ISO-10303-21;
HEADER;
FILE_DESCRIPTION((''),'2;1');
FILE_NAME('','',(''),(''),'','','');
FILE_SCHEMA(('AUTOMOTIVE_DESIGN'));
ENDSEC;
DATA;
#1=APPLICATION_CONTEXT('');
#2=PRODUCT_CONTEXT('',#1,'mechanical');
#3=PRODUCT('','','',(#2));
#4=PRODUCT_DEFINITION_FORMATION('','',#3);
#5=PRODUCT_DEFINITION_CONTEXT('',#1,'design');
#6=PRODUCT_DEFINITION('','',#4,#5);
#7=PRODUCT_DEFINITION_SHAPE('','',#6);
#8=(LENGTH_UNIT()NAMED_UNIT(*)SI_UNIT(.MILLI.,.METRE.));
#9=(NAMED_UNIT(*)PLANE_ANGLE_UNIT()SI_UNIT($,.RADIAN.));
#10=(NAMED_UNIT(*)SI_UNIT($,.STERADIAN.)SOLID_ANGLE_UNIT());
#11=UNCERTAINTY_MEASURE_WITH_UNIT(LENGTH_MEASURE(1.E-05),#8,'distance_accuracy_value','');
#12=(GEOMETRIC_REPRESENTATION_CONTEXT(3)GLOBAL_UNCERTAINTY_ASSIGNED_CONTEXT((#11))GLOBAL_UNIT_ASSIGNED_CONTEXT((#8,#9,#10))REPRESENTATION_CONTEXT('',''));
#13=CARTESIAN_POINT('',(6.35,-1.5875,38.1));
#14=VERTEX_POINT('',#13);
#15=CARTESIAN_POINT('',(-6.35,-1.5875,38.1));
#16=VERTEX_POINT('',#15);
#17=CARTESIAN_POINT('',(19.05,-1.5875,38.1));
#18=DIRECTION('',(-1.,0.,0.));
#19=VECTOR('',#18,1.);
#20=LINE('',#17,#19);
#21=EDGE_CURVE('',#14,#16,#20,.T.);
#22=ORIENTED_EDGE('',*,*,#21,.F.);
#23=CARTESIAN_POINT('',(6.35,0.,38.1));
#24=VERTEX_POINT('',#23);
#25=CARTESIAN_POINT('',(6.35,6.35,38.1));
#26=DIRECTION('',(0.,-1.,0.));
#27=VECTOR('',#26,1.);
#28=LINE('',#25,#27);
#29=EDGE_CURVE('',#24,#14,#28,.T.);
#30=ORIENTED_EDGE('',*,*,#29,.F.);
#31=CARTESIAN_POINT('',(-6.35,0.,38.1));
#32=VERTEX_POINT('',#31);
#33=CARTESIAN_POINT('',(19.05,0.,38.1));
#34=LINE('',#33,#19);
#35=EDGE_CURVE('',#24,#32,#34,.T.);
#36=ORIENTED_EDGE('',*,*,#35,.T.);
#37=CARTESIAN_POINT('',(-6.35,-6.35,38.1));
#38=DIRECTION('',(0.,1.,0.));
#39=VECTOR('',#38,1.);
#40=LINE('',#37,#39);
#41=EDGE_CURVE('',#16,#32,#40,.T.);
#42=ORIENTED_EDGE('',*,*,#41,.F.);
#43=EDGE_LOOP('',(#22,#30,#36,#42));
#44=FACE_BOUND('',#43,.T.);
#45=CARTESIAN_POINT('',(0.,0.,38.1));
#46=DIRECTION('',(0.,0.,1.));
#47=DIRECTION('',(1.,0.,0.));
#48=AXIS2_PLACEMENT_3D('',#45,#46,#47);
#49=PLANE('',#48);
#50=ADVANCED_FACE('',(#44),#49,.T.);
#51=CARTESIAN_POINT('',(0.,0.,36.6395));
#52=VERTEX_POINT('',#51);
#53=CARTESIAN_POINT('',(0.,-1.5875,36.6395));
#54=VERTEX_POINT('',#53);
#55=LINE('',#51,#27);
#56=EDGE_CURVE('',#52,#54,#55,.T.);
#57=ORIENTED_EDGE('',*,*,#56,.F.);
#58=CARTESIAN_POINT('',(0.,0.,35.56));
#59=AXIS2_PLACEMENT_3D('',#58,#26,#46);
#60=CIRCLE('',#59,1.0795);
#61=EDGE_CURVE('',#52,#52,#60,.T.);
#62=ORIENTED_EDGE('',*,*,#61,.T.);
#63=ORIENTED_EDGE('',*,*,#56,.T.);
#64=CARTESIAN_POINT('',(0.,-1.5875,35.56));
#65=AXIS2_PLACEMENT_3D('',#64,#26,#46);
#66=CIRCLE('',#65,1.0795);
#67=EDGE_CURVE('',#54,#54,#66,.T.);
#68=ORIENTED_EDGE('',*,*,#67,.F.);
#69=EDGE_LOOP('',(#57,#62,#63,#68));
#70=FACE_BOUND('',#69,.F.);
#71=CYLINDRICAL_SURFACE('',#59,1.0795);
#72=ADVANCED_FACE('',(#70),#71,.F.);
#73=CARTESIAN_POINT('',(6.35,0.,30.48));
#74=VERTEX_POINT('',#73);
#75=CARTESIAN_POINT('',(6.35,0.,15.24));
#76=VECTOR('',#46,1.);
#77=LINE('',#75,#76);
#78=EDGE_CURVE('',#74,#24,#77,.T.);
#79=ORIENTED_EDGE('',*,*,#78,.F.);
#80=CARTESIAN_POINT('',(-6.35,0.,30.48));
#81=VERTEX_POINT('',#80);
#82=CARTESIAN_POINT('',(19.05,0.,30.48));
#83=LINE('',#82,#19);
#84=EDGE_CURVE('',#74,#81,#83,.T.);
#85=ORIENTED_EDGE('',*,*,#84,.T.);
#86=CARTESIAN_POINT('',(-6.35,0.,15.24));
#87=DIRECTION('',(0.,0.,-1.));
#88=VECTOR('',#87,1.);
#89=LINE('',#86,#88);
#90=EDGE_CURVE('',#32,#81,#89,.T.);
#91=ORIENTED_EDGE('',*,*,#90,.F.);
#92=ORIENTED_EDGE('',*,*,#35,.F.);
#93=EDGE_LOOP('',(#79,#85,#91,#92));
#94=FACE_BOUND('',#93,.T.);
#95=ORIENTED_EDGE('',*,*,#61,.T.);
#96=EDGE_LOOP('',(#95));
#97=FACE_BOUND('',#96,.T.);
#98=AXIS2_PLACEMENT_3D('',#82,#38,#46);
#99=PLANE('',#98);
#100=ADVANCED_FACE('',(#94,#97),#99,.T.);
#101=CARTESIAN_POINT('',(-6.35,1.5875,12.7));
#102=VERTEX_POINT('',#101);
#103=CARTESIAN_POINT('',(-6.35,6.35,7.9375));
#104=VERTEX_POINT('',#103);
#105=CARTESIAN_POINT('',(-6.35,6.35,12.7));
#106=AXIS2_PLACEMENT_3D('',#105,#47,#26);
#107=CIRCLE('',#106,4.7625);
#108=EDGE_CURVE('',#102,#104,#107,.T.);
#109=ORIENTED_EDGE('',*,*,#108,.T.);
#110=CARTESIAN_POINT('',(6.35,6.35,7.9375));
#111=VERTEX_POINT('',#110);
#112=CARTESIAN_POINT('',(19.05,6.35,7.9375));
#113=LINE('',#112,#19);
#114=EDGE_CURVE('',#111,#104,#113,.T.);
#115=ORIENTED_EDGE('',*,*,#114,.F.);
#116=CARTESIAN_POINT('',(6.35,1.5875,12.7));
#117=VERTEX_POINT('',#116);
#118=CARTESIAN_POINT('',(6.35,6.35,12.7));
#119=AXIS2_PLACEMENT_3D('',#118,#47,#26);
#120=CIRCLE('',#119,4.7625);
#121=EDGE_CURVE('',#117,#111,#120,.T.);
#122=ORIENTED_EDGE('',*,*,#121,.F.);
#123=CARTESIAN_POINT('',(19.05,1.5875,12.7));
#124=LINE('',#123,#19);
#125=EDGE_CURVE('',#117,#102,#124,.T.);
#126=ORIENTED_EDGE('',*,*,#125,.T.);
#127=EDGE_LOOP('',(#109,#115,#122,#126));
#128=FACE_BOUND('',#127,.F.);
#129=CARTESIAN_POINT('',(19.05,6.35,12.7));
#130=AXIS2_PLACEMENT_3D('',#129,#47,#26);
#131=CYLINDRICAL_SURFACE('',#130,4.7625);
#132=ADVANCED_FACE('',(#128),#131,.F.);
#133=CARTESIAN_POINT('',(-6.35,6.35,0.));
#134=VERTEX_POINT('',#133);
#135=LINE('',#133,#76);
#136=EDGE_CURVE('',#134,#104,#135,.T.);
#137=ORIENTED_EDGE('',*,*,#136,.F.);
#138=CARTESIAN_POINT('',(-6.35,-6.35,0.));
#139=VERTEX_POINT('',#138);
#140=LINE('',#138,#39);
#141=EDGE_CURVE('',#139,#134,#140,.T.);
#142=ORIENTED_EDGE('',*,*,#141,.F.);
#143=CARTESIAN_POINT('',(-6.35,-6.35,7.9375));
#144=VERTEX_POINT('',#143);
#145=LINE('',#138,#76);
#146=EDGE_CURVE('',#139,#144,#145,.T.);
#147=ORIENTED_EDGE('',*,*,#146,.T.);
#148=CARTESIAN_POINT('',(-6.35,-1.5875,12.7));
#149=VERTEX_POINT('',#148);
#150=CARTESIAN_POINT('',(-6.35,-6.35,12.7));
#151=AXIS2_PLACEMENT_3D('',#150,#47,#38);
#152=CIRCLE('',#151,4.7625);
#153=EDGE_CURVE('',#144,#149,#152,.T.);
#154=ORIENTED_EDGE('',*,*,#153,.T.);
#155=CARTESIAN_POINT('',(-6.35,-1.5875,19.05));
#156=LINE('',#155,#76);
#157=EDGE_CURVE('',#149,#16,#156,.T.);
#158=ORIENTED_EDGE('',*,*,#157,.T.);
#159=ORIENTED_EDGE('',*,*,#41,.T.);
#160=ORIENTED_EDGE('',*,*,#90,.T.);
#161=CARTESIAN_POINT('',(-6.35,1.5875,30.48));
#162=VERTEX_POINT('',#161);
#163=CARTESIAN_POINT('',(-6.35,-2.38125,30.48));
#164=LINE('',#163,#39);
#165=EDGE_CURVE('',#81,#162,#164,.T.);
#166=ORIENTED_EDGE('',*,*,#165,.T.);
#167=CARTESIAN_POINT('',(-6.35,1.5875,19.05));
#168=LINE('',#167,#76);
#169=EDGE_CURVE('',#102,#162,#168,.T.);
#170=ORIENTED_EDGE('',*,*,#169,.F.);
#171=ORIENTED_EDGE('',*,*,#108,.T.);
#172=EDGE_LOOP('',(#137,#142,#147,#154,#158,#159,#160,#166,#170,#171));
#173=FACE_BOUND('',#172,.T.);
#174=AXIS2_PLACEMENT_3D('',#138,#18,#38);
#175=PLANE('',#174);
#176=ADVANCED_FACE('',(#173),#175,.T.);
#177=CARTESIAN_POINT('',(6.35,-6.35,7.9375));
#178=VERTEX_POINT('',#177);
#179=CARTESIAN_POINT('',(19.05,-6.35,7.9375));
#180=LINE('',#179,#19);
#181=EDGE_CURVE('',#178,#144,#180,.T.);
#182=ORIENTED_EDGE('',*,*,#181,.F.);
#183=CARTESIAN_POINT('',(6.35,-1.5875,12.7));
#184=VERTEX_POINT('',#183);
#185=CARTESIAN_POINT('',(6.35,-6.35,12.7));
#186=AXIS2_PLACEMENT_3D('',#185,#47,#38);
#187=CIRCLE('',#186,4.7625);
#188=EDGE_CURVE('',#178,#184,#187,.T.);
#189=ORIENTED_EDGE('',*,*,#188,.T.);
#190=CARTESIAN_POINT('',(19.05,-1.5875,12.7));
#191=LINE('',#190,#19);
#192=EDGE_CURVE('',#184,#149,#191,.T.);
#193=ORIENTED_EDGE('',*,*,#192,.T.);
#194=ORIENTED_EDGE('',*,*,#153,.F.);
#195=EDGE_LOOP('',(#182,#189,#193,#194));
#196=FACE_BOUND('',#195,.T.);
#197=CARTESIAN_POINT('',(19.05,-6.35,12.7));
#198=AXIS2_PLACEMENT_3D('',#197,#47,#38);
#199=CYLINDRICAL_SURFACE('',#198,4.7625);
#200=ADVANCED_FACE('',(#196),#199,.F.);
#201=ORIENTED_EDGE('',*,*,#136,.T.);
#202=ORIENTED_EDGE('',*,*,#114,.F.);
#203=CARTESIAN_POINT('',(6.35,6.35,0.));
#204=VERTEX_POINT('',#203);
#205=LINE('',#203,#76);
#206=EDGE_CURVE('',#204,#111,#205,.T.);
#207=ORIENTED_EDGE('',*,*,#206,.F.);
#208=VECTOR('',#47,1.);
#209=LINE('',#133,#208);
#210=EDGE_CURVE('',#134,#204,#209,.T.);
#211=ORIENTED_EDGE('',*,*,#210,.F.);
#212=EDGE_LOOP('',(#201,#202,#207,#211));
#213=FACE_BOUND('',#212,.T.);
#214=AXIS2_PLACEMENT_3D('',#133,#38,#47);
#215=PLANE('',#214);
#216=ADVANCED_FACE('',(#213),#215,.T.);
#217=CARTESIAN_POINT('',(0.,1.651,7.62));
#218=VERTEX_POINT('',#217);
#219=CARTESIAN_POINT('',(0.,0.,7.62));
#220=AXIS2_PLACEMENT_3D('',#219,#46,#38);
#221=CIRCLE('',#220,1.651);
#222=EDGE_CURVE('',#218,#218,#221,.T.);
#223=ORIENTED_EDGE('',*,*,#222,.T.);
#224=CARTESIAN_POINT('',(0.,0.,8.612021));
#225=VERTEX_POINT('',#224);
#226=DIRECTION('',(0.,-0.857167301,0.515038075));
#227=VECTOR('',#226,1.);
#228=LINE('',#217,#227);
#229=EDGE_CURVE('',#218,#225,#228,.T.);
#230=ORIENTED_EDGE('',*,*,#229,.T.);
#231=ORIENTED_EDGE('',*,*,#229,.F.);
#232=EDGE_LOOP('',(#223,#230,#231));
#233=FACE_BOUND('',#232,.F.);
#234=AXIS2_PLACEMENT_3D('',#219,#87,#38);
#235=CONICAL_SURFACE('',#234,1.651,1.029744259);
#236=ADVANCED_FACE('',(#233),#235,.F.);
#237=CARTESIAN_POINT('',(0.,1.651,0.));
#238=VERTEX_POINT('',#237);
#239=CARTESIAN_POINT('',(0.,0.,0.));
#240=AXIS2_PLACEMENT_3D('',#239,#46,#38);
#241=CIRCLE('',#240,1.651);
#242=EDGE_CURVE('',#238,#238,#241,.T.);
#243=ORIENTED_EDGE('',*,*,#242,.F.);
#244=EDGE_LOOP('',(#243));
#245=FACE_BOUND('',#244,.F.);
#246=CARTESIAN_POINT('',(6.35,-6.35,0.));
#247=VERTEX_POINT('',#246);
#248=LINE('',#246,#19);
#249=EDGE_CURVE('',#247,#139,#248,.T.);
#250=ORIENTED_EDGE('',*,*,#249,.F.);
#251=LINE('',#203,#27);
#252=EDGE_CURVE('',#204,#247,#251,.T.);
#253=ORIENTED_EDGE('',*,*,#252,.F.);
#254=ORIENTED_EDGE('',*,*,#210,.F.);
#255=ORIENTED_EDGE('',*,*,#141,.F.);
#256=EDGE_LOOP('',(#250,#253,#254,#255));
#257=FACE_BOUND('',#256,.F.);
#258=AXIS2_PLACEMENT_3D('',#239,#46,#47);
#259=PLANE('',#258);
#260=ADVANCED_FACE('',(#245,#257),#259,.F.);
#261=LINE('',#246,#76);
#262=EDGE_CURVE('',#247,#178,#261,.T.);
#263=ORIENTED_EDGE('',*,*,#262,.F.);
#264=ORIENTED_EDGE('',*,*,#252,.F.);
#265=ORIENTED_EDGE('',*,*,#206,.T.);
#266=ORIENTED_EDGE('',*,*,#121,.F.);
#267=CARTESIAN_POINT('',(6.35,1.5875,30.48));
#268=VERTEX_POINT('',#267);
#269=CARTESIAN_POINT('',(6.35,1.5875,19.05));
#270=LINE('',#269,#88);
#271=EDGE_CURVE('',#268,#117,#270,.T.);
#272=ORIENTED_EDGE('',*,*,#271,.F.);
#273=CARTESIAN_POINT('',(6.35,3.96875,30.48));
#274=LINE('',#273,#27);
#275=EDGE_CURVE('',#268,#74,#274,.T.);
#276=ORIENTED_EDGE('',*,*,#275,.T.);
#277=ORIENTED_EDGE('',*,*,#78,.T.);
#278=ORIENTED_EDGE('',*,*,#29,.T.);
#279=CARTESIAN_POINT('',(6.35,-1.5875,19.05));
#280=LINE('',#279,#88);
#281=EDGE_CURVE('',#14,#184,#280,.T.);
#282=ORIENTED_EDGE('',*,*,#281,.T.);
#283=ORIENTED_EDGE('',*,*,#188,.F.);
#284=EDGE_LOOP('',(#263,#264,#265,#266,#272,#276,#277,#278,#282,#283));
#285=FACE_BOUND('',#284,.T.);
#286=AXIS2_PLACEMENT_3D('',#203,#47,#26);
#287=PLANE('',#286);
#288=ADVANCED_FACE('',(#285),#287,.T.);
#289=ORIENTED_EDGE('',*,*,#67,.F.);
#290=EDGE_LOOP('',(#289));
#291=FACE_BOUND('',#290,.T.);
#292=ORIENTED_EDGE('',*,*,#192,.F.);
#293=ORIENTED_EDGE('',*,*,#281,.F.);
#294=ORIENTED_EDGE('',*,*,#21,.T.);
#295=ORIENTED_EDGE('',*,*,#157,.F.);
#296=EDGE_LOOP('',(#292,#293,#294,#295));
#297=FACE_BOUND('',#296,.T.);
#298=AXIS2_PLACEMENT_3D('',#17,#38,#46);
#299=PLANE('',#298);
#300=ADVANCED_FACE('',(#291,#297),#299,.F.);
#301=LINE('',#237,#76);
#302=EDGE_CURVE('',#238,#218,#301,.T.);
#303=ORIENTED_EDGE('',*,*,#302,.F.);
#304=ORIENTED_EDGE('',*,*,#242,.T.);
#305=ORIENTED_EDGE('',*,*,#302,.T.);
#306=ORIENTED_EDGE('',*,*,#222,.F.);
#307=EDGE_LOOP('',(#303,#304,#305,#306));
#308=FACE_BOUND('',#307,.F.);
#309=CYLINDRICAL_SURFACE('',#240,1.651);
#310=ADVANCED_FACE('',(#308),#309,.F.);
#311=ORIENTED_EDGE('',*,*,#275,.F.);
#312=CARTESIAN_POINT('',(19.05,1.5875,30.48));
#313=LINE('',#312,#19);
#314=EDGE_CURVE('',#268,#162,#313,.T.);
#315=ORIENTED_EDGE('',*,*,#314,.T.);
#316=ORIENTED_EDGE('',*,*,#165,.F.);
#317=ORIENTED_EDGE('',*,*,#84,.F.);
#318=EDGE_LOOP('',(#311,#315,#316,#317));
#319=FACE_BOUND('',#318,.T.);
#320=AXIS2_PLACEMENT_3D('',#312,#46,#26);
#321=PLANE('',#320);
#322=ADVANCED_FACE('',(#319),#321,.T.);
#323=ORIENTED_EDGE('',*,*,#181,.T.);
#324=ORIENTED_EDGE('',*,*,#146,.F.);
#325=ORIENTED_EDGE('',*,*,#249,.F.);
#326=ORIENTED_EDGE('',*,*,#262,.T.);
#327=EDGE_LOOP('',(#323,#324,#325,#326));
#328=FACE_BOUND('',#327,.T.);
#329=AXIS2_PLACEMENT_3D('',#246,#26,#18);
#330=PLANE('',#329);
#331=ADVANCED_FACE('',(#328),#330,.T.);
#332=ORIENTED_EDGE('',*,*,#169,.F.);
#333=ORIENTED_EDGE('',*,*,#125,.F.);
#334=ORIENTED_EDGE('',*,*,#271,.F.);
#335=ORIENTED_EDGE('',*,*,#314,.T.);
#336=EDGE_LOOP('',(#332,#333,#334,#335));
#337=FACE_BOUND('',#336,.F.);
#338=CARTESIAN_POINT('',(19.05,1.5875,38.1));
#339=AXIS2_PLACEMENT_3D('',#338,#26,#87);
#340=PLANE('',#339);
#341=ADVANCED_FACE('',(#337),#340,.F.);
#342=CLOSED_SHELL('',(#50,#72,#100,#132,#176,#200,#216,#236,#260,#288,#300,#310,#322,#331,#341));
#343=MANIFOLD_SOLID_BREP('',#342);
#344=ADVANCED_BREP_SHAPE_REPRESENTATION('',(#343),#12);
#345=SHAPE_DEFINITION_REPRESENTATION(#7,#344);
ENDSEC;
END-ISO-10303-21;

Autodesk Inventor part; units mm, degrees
ref_plane "YZ Plane" through (0, 0, 0) normal (1, 0, 0) x (0, 1, 0)
ref_plane "XZ Plane" through (0, 0, 0) normal (0, 1, 0) x (-1, 0, 0)
sketch "Sketch1" plane through (0, 0, 0) normal (0, 0, 1) x (1, 0, 0)
  line L0 (-6.35, 6.35) -> (6.35, 6.35)
  line L1 (6.35, 6.35) -> (6.35, -6.35)
  line L2 (6.35, -6.35) -> (-6.35, -6.35)
  line L3 (-6.35, -6.35) -> (-6.35, 6.35)
  point P0 (0, 0)
  point P1 (0, 6.35)
  point P2 (-6.35, 0)
  dimension "d0" = 12.7
  dimension "d1" = 12.7
extrude "Extrusion1" add sketch "Sketch1" along normal blind 38.1
ref_plane "Work Plane1" through (19.05, -6.35, 0) normal (1, 0, 0) x (0, 0, -1)
sketch "Sketch2" plane through (19.05, -6.35, 0) normal (1, 0, 0) x (0, 0, -1)
  line L0 (-38.1, 12.7) -> (-38.1, 0) projected
  line L1 (0, 0) -> (-38.1, 0) projected
  line L2 (0, 12.7) -> (0, 0) projected
  line L3 (0, 12.7) -> (-38.1, 12.7) projected
  line L4 (-38.1, 7.9375) -> (-12.7, 7.9375)
  arc A0 (-12.7, 7.9375) -> (-7.9375, 12.7) centre (-12.7, 12.7) ccw
  point P0 (0, 6.35)
  dimension "d5" = 25.4
  dimension "d6" = 1.5875
  dimension "d7" = 4.7625
extrude "Extrusion2" cut sketch "Sketch2" against normal blind 38.1 contours L3 A0 L4 L0
mirror "Mirror1" about plane through (0, 0, 0) normal (0, 1, 0) of "Extrusion2"
sketch "Sketch3" plane through (19.05, -6.35, 0) normal (1, 0, 0) x (0, 0, -1)
  arc A0 (-7.9375, 0) -> (-12.7, 4.7625) centre (-12.7, 0) ccw projected
  line L0 (0, 0) -> (-7.9375, 0) projected
  line L1 (0, 12.7) -> (0, 0) projected
  line L2 (0, 12.7) -> (-7.9375, 12.7) projected
  arc A1 (-12.7, 7.9375) -> (-7.9375, 12.7) centre (-12.7, 12.7) ccw projected
  line L3 (-12.7, 7.9375) -> (-38.1, 7.9375) projected
  line L4 (-38.1, 7.9375) -> (-38.1, 4.7625) projected
  line L5 (-38.1, 4.7625) -> (-12.7, 4.7625) projected
  line L6 (-30.48, 7.9375) -> (-30.48, 6.35)
  line L7 (-30.48, 6.35) -> (-38.1, 6.35)
  point P0 (0, 6.35)
  dimension "d10" = 1.5875
  dimension "d11" = 7.62
extrude "Extrusion3" cut sketch "Sketch3" against normal blind 38.1 contours L4 L3 L6 L7
sketch "Sketch4" plane through (-6.35, 0, 30.48) normal (0, 1, 0) x (1, 0, 0)
  line L0 (0, -7.62) -> (0, 0) projected
  line L1 (12.7, -7.62) -> (0, -7.62) projected
  point P0 (6.35, 30.48)
  point P1 (6.35, -5.08)
  dimension "d14" = 6.35
  dimension "d15" = 2.54
hole "Hole1" at (0, 0, 35.56) direction (0, -1, 0) diameter 2.159 end through all
sketch "Sketch5" plane through (0, 0, 0) normal (0, 0, -1) x (-1, 0, 0)
  point P0 (0, 0)
  point P1 (0, 0)
hole "Hole2" at (0, 0, 0) direction (0, 0, 1) diameter 3.302 depth 7.62 tip angle 118 thread size "8-32 UNC" class "2B" standard "ANSI Unified Screw Threads"
properties part number "headplateHolder"
